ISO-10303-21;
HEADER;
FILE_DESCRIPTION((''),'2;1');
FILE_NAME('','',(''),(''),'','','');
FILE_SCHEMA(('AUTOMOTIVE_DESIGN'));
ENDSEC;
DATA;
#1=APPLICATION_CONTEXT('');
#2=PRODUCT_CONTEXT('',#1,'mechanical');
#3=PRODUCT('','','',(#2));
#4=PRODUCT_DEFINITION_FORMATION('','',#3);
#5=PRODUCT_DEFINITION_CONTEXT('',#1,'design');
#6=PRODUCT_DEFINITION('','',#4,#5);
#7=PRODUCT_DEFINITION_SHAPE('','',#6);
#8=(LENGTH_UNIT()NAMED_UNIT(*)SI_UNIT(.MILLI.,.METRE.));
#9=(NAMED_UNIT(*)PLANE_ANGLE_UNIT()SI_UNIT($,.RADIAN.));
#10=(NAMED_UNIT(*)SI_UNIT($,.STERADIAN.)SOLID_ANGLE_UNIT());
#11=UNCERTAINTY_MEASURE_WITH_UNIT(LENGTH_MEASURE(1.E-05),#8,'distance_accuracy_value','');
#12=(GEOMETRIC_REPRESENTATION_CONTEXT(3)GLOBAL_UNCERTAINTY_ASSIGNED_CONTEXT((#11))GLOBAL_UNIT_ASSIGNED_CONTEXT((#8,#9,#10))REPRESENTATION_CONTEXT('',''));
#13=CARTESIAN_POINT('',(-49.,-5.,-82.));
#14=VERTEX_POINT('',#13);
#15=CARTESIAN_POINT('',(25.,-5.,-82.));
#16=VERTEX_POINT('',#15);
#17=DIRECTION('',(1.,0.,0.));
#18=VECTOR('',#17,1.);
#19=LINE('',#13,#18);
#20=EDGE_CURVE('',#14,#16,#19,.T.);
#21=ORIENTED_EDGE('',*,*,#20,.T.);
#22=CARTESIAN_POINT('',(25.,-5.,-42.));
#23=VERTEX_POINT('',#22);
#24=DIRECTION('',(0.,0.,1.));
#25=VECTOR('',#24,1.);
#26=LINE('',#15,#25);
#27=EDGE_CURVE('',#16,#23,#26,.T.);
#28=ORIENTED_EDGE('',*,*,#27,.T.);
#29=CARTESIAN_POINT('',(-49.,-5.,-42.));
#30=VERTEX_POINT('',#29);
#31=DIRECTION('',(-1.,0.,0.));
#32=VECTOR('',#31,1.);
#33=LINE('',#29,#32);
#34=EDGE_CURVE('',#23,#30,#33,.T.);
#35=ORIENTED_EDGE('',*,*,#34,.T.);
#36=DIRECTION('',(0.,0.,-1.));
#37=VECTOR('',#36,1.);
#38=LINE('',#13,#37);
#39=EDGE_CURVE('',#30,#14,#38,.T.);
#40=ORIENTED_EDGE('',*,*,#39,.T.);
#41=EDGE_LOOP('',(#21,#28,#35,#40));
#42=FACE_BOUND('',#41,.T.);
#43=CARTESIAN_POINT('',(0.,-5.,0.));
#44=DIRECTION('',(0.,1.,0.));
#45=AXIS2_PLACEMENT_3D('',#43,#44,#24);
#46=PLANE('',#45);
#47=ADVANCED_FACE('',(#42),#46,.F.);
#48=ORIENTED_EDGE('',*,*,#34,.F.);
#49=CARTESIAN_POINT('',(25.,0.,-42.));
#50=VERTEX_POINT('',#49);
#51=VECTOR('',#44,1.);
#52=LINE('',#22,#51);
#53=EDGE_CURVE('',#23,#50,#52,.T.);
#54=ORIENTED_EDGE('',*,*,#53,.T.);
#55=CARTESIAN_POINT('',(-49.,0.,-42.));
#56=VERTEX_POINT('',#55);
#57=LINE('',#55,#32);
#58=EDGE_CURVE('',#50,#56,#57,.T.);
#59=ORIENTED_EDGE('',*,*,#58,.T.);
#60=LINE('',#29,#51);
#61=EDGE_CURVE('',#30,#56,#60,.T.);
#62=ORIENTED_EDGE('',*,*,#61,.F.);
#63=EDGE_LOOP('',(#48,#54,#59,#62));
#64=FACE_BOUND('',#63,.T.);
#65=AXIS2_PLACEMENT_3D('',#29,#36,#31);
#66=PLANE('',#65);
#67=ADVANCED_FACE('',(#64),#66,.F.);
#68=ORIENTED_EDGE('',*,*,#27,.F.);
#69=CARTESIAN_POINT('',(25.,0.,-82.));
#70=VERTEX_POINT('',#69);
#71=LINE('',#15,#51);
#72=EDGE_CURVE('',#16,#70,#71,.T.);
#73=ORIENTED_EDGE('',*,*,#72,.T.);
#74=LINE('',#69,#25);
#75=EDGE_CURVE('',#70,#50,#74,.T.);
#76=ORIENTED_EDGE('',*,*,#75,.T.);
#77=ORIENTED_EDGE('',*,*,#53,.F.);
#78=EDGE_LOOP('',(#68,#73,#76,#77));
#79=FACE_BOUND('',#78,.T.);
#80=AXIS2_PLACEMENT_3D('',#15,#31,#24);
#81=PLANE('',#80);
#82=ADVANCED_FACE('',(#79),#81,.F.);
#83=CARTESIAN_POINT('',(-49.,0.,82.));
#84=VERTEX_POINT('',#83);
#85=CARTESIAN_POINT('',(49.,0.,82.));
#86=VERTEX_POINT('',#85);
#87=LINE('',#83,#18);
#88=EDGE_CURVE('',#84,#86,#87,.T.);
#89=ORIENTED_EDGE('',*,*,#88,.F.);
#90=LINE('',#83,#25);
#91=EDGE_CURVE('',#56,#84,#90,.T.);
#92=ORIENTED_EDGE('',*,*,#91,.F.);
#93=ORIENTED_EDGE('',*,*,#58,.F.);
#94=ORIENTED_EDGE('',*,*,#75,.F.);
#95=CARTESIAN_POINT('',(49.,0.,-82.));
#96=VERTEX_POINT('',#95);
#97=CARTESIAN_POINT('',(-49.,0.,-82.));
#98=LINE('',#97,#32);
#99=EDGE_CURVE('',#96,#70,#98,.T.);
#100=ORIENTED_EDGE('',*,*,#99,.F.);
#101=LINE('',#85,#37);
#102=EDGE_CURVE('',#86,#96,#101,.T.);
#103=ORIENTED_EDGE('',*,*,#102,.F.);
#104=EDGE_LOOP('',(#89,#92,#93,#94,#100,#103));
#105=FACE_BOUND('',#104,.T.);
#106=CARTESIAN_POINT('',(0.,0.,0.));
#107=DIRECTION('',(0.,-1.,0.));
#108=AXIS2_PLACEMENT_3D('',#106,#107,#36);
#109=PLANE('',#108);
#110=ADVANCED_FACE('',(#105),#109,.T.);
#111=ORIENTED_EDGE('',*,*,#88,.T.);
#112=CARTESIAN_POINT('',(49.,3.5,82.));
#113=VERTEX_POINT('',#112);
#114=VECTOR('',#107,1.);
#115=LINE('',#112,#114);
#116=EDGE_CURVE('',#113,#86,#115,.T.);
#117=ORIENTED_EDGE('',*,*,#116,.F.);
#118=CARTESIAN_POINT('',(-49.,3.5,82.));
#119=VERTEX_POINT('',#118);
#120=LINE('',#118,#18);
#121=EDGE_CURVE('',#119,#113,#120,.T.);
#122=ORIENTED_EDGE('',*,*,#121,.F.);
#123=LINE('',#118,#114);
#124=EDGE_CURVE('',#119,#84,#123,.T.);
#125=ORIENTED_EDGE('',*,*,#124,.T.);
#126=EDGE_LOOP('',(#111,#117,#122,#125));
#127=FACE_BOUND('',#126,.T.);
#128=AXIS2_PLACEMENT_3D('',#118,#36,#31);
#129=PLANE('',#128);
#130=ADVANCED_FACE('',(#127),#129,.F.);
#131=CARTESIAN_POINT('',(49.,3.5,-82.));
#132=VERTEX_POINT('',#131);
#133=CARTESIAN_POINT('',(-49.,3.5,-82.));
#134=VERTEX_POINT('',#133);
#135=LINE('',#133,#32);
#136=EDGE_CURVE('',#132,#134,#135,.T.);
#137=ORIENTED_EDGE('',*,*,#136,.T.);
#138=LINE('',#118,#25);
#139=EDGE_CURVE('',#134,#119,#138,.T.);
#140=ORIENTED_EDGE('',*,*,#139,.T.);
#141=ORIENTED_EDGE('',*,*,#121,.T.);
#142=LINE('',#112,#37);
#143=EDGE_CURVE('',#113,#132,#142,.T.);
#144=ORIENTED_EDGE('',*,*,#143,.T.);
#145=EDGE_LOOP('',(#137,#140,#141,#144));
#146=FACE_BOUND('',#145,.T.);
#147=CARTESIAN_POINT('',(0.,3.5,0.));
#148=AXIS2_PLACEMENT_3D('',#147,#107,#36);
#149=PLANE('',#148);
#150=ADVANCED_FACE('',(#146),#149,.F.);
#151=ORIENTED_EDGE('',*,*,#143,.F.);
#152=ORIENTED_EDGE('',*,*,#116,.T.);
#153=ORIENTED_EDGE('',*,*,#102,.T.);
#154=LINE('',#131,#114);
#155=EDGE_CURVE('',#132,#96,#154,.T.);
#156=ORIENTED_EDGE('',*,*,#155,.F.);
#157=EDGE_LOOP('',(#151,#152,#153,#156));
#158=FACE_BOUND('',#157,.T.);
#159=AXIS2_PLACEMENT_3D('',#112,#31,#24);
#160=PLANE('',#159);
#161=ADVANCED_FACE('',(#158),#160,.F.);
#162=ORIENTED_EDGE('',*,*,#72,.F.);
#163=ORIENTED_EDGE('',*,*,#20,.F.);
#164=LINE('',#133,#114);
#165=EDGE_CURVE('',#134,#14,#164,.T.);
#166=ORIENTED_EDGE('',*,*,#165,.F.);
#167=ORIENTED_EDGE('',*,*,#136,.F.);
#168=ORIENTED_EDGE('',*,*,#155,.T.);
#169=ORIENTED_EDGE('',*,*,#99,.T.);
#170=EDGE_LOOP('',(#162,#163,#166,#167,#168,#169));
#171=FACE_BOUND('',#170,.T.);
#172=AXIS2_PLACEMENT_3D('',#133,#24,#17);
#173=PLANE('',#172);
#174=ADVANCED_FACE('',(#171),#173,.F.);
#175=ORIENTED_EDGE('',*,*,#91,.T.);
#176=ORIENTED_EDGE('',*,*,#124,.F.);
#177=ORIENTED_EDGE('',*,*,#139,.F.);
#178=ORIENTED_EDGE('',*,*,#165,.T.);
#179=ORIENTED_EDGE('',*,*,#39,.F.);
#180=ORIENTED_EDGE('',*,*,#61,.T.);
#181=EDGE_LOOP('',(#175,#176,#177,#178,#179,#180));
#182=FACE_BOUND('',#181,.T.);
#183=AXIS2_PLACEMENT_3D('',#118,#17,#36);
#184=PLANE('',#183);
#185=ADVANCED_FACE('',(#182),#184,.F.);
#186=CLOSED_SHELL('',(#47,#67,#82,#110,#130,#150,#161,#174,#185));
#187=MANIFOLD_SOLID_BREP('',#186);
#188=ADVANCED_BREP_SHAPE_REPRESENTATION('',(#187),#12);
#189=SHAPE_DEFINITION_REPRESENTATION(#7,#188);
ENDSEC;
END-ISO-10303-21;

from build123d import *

# Parameters (mm, degrees)
SKETCH1_W           = 98
SKETCH1_H           = 164
MAIN_BODY_DEPTH     = 3.5
SKETCH2_W           = 74
SKETCH2_H           = 40
PCBS_AND_SUCH_DEPTH = 5


with BuildPart() as part:
    # Sketch1 → MAIN BODY (new body)
    with BuildSketch(Plane(origin=(0, 0, 0), x_dir=(1, 0, 0), z_dir=(0, 1, 0))):
        Rectangle(SKETCH1_W, SKETCH1_H)
    extrude(amount=MAIN_BODY_DEPTH)

    # Sketch2 → PCBs AND SUCH (add)
    with BuildSketch(Plane.XZ):
        with Locations((-12, -62)):
            Rectangle(SKETCH2_W, SKETCH2_H)
    extrude(amount=PCBS_AND_SUCH_DEPTH)


solid = part.part
